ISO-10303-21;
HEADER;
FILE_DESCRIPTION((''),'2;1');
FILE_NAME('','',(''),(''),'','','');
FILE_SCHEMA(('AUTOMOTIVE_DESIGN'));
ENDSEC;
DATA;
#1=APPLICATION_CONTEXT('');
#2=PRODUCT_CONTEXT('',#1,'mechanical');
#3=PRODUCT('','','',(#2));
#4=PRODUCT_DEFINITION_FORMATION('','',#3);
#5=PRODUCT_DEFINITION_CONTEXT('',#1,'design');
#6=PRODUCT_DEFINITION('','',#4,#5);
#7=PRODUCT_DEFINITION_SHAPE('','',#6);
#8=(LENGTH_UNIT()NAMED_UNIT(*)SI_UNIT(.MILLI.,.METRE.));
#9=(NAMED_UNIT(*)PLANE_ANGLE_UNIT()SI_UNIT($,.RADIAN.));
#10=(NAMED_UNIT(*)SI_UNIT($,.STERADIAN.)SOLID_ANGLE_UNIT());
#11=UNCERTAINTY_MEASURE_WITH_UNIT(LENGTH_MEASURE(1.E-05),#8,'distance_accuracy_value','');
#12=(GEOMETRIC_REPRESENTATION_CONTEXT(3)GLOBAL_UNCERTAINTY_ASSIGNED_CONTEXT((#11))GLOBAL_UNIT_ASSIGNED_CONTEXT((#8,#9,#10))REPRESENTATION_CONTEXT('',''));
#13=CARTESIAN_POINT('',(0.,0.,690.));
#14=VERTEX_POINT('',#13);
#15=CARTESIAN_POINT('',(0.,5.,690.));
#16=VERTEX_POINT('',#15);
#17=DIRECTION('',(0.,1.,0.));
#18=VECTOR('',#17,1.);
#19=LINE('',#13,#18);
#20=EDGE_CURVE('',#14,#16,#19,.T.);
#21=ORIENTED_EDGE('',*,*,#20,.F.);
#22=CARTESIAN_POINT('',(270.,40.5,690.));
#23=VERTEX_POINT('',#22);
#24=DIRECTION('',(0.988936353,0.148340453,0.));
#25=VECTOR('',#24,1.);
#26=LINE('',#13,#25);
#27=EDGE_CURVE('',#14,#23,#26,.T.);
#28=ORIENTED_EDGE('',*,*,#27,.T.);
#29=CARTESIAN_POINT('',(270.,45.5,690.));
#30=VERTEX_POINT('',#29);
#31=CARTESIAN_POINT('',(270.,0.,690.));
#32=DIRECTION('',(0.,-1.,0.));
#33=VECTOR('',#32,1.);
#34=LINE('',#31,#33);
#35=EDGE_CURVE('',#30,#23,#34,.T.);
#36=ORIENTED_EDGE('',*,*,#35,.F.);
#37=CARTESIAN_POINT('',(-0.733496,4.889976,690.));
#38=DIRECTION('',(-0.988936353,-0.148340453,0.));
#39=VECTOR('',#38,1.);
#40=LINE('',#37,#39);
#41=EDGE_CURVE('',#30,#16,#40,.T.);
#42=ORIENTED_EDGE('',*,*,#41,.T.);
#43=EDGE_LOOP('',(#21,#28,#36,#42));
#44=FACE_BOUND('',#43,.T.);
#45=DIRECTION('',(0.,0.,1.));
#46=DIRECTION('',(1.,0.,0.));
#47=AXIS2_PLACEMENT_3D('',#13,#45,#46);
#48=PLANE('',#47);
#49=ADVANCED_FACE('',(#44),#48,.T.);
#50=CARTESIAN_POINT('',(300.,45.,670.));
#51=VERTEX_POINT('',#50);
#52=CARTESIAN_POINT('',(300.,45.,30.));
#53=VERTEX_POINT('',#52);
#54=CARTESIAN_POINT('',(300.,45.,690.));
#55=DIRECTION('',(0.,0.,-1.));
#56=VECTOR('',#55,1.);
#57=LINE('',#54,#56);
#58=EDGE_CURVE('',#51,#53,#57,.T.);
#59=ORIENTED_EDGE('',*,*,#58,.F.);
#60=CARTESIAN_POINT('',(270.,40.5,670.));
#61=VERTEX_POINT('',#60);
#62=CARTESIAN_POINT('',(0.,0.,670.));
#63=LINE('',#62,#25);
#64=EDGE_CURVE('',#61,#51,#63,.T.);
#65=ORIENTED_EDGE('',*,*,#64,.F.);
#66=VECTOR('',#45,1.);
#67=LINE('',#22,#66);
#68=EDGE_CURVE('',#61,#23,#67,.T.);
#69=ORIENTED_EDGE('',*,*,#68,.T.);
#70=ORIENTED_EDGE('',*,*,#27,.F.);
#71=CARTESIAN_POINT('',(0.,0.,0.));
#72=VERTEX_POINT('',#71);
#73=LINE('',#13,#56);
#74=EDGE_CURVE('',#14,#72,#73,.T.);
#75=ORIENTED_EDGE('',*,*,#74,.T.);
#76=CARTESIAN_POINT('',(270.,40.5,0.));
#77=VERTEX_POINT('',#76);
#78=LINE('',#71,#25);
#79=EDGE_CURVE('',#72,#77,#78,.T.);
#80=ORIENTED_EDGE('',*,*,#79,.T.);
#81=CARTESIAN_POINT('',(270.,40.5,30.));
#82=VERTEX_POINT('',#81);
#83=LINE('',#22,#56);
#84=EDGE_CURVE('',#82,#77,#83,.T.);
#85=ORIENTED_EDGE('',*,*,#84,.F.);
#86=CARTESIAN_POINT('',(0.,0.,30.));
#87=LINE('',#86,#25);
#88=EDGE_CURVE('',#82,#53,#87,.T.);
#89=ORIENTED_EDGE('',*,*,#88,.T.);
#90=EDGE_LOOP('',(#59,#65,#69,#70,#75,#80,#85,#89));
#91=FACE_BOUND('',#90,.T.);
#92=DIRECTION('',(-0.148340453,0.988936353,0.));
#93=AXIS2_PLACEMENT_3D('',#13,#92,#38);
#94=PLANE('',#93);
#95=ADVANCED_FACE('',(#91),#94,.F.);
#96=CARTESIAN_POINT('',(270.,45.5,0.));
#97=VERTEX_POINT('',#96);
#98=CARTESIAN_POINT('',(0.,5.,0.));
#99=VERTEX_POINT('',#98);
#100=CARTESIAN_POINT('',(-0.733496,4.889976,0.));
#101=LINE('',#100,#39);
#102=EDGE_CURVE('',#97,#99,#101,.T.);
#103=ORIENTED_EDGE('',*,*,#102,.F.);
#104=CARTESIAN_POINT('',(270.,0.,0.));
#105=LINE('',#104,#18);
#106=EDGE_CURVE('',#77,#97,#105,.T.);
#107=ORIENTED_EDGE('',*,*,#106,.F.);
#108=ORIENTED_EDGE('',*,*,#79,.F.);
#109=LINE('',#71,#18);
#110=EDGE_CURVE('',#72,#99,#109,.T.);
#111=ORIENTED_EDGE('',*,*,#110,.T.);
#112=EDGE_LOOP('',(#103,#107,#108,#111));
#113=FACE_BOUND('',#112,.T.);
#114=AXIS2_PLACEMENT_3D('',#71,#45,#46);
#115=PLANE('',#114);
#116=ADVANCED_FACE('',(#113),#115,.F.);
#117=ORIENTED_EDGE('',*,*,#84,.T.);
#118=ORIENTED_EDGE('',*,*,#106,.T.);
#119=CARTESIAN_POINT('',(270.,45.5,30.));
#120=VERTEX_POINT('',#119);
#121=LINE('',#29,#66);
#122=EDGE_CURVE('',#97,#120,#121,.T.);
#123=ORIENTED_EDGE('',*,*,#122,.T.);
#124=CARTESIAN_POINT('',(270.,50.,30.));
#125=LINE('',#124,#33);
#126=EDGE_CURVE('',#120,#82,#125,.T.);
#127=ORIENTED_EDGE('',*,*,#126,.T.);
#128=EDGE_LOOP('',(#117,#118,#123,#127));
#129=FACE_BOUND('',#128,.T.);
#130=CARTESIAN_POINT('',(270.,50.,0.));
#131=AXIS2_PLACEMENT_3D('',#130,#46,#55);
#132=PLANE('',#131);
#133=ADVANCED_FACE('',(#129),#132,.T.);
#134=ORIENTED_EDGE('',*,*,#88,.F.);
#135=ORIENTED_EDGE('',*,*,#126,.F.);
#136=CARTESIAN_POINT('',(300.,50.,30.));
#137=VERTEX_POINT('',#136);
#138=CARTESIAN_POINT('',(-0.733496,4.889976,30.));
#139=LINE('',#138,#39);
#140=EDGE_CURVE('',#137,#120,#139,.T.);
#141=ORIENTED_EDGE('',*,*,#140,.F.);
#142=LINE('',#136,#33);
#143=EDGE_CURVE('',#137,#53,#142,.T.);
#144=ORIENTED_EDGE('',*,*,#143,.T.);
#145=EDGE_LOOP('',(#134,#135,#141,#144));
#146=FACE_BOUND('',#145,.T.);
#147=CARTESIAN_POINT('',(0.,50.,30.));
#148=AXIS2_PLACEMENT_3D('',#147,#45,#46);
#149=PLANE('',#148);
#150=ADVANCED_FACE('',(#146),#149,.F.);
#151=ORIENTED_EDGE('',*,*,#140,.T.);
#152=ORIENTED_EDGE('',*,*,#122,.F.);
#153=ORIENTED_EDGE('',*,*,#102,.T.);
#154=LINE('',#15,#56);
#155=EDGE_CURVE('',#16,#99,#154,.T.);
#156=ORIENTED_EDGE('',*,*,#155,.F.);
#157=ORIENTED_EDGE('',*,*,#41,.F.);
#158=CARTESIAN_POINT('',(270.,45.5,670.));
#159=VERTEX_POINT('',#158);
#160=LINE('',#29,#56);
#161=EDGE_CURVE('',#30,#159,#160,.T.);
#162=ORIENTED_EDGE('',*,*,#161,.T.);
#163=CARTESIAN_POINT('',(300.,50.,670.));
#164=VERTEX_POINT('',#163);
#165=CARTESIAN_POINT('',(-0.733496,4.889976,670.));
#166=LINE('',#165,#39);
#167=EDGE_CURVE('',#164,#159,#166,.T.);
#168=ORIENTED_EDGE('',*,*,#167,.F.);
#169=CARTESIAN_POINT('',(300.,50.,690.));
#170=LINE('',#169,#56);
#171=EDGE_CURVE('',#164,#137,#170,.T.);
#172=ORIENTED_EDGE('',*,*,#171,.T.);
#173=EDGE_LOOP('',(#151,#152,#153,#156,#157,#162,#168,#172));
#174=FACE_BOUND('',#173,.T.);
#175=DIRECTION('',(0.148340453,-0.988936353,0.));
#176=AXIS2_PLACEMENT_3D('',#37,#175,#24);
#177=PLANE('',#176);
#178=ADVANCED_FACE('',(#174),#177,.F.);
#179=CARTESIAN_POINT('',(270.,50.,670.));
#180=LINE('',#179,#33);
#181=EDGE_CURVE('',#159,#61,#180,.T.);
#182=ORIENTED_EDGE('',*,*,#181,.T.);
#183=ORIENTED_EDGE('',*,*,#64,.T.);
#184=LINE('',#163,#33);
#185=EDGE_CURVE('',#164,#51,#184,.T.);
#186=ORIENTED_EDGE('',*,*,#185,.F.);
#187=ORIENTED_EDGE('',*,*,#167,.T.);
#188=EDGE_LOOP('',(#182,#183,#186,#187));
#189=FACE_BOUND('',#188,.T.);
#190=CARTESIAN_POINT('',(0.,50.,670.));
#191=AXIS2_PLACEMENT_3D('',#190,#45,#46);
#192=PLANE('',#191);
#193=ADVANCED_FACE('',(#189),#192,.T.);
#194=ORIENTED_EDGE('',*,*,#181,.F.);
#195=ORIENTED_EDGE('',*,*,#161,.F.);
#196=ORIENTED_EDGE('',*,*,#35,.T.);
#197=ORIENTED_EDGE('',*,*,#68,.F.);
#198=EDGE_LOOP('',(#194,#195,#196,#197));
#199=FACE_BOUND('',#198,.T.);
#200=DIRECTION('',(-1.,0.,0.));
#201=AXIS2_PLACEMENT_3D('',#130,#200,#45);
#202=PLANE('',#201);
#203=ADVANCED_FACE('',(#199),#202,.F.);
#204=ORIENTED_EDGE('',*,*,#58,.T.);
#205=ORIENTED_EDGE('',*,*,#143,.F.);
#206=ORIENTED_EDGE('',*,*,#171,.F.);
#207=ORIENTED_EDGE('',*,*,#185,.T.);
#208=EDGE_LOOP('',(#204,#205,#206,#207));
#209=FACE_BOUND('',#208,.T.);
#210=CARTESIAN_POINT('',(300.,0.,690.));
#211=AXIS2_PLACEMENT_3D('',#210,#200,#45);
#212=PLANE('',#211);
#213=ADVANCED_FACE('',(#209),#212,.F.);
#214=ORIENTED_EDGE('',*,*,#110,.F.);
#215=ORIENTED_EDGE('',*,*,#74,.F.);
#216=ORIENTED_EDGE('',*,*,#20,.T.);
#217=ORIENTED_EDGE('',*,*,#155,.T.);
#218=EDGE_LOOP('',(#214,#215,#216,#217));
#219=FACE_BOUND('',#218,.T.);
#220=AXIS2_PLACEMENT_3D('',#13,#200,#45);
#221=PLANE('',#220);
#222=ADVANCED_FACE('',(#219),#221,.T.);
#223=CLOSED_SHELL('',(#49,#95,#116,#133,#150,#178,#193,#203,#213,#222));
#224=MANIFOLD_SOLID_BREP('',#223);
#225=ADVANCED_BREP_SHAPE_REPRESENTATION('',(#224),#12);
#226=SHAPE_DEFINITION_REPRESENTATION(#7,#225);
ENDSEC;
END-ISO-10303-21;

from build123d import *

# Parameters (mm, degrees)
BOSS_EXTRUDE1_DEPTH = 690
SKETCH3_W           = 30
SKETCH3_H           = 20
SKETCH3_H_2         = 30
CUT_EXTRUDE2_DEPTH  = 51


with BuildPart() as part:
    # Sketch1 → Boss-Extrude1 (new body)
    with BuildSketch(Plane.XY):
        Polygon((0, 5), (0, 0), (300, 45), (300, 50), align=None)
    extrude(amount=BOSS_EXTRUDE1_DEPTH)

    # Sketch3 → Cut-Extrude2 (cut, through all)
    with BuildSketch(Plane(origin=(0, 0, 0), x_dir=(1, 0, 0), z_dir=(0, 1, 0))):
        with Locations((285, -680)):
            Rectangle(SKETCH3_W, SKETCH3_H)
        with Locations((285, -15)):
            Rectangle(SKETCH3_W, SKETCH3_H_2)
    extrude(amount=CUT_EXTRUDE2_DEPTH, mode=Mode.SUBTRACT)


solid = part.part
